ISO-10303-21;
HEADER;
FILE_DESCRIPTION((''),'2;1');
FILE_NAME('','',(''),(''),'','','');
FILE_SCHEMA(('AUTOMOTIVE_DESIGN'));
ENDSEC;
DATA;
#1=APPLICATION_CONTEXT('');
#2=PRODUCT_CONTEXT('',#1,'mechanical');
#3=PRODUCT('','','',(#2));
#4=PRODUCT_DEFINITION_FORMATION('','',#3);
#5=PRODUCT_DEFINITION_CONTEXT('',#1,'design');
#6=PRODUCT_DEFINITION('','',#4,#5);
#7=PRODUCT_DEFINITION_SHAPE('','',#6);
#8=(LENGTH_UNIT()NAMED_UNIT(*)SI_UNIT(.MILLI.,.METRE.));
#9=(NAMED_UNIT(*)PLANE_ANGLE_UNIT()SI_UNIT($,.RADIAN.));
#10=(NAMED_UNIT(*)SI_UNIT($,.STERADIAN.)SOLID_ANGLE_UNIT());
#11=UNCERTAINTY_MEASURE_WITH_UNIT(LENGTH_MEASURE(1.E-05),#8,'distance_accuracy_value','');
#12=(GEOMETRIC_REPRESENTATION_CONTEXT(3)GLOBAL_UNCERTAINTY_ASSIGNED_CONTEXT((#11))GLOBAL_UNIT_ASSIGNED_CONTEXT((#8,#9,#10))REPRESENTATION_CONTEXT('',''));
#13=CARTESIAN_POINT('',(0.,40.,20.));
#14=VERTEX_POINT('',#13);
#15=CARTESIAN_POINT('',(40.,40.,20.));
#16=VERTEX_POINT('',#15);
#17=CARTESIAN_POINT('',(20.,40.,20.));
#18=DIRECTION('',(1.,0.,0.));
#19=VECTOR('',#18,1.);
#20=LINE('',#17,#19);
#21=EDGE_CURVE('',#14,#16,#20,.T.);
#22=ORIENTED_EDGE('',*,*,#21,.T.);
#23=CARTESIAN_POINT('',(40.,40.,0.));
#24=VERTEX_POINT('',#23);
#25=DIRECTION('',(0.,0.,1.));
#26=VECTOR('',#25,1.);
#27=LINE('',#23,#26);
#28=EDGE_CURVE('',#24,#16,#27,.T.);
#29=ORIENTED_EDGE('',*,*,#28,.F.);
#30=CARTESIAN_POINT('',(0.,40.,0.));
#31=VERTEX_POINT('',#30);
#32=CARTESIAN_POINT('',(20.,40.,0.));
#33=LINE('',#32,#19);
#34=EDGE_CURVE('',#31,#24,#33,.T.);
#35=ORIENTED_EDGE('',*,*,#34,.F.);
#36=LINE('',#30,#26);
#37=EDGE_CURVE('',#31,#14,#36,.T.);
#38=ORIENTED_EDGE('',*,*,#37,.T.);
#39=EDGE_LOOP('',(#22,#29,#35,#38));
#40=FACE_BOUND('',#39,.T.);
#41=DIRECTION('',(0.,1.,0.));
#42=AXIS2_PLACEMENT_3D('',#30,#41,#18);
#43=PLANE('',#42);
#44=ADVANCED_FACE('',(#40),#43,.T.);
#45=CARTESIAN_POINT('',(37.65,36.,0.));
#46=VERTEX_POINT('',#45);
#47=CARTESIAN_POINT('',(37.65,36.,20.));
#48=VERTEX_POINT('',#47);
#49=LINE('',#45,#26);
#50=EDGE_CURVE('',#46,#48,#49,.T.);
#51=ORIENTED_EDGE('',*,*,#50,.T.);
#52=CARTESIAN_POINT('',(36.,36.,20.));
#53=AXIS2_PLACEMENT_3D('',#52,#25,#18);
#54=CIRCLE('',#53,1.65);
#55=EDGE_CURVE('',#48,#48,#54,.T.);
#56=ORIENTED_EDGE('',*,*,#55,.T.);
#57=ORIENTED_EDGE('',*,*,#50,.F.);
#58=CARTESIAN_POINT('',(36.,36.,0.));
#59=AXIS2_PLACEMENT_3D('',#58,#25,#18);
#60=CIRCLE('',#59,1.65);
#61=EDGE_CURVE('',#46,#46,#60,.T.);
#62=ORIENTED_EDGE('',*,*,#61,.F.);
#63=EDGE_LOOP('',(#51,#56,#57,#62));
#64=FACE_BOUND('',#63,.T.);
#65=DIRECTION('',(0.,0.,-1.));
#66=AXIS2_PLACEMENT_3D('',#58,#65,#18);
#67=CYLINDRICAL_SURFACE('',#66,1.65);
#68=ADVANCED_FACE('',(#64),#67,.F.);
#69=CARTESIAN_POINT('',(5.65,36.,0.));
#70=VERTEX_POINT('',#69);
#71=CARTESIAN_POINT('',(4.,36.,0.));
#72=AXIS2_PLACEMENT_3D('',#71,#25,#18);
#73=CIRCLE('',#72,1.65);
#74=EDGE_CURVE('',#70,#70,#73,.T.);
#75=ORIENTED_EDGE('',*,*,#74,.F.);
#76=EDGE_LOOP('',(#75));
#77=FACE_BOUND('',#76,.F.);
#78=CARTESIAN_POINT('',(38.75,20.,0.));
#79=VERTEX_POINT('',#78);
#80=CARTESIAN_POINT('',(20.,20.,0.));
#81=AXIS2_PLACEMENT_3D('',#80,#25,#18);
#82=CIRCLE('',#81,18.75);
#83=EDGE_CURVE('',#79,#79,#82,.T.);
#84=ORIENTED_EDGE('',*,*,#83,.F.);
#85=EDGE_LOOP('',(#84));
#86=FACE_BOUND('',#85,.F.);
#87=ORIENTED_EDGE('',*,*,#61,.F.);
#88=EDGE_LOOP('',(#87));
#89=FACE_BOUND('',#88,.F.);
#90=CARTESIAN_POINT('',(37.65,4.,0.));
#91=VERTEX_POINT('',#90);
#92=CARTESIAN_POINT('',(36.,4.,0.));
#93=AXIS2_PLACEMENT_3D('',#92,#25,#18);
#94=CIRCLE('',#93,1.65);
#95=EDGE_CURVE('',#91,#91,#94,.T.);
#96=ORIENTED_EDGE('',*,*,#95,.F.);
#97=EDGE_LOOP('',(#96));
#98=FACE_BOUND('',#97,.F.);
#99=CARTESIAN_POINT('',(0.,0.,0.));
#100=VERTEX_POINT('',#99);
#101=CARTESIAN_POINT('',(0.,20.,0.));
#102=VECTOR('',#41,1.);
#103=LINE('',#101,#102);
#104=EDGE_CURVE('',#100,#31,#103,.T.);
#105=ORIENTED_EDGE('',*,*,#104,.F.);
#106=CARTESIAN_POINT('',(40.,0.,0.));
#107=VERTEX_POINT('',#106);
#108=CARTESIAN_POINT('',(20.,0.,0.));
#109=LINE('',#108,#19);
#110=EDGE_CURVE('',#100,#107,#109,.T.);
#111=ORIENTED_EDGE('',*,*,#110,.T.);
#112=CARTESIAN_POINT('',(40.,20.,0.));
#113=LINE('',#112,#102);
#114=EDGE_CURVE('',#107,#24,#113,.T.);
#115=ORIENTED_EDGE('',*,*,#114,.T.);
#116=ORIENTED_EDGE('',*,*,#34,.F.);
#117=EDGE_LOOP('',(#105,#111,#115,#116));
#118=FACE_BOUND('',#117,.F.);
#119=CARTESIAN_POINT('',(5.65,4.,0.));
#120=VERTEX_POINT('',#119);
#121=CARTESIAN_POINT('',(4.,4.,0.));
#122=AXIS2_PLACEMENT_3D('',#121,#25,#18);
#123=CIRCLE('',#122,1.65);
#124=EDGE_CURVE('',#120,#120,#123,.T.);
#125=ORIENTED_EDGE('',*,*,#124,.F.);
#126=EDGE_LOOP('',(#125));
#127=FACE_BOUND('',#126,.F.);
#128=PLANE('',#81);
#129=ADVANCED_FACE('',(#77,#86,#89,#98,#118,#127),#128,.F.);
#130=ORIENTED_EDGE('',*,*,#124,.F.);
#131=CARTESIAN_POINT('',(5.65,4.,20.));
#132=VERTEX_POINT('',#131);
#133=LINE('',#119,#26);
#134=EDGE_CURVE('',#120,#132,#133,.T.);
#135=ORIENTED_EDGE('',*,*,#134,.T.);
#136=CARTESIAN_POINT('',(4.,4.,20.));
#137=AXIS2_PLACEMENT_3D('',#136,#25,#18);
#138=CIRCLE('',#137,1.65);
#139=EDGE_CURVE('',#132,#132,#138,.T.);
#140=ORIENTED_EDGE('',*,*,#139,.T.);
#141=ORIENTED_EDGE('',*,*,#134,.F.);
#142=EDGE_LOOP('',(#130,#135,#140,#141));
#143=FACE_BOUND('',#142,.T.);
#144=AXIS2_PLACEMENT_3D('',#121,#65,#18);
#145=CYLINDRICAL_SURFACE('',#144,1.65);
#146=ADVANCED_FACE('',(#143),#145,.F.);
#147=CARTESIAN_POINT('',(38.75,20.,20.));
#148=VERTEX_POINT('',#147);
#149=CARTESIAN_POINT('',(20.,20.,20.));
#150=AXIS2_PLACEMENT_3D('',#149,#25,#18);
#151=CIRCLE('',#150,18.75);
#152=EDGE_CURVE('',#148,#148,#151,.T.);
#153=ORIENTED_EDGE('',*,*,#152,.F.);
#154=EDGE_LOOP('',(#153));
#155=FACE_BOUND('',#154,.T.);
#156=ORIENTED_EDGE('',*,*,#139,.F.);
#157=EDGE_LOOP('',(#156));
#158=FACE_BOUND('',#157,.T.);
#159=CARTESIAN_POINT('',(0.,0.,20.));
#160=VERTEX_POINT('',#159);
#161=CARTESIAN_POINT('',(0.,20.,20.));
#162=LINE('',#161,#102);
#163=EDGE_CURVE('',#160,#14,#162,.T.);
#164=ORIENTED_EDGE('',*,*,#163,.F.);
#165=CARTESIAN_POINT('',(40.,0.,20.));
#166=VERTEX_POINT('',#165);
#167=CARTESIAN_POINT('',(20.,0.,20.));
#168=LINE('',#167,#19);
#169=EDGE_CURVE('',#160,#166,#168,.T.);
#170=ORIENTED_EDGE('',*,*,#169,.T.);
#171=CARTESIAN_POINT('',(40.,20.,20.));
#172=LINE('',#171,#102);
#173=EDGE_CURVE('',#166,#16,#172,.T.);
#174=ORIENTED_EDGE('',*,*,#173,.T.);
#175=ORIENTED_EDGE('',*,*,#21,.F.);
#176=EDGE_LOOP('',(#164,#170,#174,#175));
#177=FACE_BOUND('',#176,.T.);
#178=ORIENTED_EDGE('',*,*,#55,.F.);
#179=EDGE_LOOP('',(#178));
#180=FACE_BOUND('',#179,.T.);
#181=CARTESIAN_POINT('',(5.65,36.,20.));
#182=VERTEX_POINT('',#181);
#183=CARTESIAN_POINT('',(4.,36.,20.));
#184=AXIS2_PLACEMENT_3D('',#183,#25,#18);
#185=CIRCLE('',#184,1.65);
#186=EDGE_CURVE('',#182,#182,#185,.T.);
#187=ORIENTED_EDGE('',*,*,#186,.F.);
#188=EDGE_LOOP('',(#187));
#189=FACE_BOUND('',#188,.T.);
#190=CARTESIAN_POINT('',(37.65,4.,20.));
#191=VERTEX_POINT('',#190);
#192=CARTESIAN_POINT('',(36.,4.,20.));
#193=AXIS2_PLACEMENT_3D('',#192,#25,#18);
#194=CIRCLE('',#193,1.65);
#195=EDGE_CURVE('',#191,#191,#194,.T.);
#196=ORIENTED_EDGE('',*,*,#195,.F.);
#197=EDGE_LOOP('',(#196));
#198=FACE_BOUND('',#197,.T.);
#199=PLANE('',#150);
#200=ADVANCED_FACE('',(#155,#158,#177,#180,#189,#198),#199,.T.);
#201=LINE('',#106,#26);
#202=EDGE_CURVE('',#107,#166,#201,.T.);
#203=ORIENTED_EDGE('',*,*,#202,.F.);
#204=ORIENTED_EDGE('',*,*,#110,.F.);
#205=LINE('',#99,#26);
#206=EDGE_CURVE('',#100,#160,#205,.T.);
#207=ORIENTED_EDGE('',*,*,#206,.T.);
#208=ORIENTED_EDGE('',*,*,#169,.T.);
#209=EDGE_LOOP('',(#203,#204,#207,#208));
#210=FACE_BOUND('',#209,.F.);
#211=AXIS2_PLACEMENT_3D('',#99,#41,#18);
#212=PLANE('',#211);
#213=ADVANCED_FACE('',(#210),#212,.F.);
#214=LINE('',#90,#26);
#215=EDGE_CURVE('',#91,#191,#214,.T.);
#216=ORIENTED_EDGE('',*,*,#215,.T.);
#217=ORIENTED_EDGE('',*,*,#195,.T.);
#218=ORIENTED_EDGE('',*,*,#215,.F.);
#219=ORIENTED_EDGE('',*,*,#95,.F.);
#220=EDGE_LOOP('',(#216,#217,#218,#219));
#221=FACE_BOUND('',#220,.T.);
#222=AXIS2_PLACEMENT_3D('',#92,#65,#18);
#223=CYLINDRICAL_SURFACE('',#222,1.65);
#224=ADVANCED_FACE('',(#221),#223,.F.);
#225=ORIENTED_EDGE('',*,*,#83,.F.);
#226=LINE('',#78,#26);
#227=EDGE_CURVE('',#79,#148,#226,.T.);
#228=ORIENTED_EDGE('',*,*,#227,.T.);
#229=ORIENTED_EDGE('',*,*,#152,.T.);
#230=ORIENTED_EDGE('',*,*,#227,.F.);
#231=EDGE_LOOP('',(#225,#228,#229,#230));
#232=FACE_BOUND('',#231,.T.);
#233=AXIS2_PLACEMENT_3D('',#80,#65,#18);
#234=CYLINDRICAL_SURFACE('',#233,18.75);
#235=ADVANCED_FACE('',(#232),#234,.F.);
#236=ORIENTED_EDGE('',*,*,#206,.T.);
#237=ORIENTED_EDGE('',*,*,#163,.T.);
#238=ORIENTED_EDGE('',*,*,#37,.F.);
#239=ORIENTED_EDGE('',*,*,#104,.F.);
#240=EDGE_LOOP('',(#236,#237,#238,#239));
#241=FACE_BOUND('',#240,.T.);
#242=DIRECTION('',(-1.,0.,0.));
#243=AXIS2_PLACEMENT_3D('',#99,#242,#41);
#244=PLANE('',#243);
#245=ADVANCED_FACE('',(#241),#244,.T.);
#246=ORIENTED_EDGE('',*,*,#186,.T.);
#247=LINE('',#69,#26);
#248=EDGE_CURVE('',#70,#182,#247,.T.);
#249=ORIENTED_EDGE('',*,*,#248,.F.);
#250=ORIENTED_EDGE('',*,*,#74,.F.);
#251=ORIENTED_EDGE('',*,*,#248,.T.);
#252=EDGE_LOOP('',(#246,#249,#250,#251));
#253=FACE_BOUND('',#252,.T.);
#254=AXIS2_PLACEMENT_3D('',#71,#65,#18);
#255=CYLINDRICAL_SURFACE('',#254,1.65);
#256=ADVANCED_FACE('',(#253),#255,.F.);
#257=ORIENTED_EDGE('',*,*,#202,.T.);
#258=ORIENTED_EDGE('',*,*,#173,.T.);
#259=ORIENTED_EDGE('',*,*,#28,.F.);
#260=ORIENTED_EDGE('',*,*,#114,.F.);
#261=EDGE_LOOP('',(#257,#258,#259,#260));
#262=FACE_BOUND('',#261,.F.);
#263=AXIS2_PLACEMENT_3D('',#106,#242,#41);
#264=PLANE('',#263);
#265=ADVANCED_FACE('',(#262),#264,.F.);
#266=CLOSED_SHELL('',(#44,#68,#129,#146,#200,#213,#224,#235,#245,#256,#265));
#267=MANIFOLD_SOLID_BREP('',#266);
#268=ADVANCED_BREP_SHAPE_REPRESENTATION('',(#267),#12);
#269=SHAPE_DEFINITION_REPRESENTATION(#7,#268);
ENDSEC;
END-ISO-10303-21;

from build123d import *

# Parameters (mm, degrees)
F0_W     = 40
F0_H     = 40
F0_R     = 1.65
F0_R_2   = 18.75
F1_DEPTH = 20


with BuildPart() as f1:
    # F0 (on Top) → F1 (new body)
    with BuildSketch(Plane.XY):
        with Locations((20, 20)):
            Rectangle(F0_W, F0_H)
        with Locations((4, 4)):
            Circle(F0_R, mode=Mode.SUBTRACT)
        with Locations((36, 4)):
            Circle(F0_R, mode=Mode.SUBTRACT)
        with Locations((4, 36)):
            Circle(F0_R, mode=Mode.SUBTRACT)
        with Locations((20, 20)):
            Circle(F0_R_2, mode=Mode.SUBTRACT)
        with Locations((36, 36)):
            Circle(F0_R, mode=Mode.SUBTRACT)
    extrude(amount=F1_DEPTH)


solid = f1.part
